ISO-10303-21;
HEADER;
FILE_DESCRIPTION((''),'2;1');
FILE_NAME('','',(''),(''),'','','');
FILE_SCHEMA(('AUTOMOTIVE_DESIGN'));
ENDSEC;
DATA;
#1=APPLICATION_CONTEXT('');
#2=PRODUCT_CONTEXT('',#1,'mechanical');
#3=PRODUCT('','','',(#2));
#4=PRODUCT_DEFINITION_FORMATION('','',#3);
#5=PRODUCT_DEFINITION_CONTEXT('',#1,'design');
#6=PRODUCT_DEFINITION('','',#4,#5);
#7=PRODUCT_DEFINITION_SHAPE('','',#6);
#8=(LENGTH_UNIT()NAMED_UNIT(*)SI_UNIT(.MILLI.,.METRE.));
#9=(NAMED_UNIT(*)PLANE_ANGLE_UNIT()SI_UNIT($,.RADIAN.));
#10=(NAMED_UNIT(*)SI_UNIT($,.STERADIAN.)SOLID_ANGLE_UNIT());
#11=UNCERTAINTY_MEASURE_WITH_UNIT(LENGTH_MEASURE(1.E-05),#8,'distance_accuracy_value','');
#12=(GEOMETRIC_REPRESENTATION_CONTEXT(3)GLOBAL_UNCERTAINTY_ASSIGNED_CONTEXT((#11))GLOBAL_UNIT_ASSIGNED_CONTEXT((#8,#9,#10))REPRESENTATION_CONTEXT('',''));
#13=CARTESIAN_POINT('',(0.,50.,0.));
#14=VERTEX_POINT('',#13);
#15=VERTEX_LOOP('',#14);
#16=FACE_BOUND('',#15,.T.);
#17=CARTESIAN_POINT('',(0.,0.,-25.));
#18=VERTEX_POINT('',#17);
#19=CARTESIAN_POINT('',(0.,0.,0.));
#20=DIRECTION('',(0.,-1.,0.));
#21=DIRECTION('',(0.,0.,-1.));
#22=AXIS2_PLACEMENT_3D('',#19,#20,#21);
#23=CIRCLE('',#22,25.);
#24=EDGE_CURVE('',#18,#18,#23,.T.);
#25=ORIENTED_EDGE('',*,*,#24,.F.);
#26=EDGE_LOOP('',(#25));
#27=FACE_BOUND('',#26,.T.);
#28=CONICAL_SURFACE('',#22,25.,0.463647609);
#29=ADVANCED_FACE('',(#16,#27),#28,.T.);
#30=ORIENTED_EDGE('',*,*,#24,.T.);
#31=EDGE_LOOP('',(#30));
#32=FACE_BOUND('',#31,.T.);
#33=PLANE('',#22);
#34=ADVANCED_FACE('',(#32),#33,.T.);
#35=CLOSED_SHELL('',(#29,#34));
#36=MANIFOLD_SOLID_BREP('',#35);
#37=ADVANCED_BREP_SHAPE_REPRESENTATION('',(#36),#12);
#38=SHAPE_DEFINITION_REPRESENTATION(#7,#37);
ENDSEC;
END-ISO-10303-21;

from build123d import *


with BuildPart() as part:
    # Sketch1 → Revolve1 (revolve)
    with BuildSketch(Plane.XY, mode=Mode.PRIVATE) as revolve1_sk:
        Polygon((0, 0), (25, 0), (0, 50), align=None)
    revolve(revolve1_sk.sketch.rotate(Axis((0, 0, 0), (0, 1, 0)), 90), axis=Axis((0, 0, 0), (0, 1, 0)))  # turned: the seam where the file's is


solid = part.part
